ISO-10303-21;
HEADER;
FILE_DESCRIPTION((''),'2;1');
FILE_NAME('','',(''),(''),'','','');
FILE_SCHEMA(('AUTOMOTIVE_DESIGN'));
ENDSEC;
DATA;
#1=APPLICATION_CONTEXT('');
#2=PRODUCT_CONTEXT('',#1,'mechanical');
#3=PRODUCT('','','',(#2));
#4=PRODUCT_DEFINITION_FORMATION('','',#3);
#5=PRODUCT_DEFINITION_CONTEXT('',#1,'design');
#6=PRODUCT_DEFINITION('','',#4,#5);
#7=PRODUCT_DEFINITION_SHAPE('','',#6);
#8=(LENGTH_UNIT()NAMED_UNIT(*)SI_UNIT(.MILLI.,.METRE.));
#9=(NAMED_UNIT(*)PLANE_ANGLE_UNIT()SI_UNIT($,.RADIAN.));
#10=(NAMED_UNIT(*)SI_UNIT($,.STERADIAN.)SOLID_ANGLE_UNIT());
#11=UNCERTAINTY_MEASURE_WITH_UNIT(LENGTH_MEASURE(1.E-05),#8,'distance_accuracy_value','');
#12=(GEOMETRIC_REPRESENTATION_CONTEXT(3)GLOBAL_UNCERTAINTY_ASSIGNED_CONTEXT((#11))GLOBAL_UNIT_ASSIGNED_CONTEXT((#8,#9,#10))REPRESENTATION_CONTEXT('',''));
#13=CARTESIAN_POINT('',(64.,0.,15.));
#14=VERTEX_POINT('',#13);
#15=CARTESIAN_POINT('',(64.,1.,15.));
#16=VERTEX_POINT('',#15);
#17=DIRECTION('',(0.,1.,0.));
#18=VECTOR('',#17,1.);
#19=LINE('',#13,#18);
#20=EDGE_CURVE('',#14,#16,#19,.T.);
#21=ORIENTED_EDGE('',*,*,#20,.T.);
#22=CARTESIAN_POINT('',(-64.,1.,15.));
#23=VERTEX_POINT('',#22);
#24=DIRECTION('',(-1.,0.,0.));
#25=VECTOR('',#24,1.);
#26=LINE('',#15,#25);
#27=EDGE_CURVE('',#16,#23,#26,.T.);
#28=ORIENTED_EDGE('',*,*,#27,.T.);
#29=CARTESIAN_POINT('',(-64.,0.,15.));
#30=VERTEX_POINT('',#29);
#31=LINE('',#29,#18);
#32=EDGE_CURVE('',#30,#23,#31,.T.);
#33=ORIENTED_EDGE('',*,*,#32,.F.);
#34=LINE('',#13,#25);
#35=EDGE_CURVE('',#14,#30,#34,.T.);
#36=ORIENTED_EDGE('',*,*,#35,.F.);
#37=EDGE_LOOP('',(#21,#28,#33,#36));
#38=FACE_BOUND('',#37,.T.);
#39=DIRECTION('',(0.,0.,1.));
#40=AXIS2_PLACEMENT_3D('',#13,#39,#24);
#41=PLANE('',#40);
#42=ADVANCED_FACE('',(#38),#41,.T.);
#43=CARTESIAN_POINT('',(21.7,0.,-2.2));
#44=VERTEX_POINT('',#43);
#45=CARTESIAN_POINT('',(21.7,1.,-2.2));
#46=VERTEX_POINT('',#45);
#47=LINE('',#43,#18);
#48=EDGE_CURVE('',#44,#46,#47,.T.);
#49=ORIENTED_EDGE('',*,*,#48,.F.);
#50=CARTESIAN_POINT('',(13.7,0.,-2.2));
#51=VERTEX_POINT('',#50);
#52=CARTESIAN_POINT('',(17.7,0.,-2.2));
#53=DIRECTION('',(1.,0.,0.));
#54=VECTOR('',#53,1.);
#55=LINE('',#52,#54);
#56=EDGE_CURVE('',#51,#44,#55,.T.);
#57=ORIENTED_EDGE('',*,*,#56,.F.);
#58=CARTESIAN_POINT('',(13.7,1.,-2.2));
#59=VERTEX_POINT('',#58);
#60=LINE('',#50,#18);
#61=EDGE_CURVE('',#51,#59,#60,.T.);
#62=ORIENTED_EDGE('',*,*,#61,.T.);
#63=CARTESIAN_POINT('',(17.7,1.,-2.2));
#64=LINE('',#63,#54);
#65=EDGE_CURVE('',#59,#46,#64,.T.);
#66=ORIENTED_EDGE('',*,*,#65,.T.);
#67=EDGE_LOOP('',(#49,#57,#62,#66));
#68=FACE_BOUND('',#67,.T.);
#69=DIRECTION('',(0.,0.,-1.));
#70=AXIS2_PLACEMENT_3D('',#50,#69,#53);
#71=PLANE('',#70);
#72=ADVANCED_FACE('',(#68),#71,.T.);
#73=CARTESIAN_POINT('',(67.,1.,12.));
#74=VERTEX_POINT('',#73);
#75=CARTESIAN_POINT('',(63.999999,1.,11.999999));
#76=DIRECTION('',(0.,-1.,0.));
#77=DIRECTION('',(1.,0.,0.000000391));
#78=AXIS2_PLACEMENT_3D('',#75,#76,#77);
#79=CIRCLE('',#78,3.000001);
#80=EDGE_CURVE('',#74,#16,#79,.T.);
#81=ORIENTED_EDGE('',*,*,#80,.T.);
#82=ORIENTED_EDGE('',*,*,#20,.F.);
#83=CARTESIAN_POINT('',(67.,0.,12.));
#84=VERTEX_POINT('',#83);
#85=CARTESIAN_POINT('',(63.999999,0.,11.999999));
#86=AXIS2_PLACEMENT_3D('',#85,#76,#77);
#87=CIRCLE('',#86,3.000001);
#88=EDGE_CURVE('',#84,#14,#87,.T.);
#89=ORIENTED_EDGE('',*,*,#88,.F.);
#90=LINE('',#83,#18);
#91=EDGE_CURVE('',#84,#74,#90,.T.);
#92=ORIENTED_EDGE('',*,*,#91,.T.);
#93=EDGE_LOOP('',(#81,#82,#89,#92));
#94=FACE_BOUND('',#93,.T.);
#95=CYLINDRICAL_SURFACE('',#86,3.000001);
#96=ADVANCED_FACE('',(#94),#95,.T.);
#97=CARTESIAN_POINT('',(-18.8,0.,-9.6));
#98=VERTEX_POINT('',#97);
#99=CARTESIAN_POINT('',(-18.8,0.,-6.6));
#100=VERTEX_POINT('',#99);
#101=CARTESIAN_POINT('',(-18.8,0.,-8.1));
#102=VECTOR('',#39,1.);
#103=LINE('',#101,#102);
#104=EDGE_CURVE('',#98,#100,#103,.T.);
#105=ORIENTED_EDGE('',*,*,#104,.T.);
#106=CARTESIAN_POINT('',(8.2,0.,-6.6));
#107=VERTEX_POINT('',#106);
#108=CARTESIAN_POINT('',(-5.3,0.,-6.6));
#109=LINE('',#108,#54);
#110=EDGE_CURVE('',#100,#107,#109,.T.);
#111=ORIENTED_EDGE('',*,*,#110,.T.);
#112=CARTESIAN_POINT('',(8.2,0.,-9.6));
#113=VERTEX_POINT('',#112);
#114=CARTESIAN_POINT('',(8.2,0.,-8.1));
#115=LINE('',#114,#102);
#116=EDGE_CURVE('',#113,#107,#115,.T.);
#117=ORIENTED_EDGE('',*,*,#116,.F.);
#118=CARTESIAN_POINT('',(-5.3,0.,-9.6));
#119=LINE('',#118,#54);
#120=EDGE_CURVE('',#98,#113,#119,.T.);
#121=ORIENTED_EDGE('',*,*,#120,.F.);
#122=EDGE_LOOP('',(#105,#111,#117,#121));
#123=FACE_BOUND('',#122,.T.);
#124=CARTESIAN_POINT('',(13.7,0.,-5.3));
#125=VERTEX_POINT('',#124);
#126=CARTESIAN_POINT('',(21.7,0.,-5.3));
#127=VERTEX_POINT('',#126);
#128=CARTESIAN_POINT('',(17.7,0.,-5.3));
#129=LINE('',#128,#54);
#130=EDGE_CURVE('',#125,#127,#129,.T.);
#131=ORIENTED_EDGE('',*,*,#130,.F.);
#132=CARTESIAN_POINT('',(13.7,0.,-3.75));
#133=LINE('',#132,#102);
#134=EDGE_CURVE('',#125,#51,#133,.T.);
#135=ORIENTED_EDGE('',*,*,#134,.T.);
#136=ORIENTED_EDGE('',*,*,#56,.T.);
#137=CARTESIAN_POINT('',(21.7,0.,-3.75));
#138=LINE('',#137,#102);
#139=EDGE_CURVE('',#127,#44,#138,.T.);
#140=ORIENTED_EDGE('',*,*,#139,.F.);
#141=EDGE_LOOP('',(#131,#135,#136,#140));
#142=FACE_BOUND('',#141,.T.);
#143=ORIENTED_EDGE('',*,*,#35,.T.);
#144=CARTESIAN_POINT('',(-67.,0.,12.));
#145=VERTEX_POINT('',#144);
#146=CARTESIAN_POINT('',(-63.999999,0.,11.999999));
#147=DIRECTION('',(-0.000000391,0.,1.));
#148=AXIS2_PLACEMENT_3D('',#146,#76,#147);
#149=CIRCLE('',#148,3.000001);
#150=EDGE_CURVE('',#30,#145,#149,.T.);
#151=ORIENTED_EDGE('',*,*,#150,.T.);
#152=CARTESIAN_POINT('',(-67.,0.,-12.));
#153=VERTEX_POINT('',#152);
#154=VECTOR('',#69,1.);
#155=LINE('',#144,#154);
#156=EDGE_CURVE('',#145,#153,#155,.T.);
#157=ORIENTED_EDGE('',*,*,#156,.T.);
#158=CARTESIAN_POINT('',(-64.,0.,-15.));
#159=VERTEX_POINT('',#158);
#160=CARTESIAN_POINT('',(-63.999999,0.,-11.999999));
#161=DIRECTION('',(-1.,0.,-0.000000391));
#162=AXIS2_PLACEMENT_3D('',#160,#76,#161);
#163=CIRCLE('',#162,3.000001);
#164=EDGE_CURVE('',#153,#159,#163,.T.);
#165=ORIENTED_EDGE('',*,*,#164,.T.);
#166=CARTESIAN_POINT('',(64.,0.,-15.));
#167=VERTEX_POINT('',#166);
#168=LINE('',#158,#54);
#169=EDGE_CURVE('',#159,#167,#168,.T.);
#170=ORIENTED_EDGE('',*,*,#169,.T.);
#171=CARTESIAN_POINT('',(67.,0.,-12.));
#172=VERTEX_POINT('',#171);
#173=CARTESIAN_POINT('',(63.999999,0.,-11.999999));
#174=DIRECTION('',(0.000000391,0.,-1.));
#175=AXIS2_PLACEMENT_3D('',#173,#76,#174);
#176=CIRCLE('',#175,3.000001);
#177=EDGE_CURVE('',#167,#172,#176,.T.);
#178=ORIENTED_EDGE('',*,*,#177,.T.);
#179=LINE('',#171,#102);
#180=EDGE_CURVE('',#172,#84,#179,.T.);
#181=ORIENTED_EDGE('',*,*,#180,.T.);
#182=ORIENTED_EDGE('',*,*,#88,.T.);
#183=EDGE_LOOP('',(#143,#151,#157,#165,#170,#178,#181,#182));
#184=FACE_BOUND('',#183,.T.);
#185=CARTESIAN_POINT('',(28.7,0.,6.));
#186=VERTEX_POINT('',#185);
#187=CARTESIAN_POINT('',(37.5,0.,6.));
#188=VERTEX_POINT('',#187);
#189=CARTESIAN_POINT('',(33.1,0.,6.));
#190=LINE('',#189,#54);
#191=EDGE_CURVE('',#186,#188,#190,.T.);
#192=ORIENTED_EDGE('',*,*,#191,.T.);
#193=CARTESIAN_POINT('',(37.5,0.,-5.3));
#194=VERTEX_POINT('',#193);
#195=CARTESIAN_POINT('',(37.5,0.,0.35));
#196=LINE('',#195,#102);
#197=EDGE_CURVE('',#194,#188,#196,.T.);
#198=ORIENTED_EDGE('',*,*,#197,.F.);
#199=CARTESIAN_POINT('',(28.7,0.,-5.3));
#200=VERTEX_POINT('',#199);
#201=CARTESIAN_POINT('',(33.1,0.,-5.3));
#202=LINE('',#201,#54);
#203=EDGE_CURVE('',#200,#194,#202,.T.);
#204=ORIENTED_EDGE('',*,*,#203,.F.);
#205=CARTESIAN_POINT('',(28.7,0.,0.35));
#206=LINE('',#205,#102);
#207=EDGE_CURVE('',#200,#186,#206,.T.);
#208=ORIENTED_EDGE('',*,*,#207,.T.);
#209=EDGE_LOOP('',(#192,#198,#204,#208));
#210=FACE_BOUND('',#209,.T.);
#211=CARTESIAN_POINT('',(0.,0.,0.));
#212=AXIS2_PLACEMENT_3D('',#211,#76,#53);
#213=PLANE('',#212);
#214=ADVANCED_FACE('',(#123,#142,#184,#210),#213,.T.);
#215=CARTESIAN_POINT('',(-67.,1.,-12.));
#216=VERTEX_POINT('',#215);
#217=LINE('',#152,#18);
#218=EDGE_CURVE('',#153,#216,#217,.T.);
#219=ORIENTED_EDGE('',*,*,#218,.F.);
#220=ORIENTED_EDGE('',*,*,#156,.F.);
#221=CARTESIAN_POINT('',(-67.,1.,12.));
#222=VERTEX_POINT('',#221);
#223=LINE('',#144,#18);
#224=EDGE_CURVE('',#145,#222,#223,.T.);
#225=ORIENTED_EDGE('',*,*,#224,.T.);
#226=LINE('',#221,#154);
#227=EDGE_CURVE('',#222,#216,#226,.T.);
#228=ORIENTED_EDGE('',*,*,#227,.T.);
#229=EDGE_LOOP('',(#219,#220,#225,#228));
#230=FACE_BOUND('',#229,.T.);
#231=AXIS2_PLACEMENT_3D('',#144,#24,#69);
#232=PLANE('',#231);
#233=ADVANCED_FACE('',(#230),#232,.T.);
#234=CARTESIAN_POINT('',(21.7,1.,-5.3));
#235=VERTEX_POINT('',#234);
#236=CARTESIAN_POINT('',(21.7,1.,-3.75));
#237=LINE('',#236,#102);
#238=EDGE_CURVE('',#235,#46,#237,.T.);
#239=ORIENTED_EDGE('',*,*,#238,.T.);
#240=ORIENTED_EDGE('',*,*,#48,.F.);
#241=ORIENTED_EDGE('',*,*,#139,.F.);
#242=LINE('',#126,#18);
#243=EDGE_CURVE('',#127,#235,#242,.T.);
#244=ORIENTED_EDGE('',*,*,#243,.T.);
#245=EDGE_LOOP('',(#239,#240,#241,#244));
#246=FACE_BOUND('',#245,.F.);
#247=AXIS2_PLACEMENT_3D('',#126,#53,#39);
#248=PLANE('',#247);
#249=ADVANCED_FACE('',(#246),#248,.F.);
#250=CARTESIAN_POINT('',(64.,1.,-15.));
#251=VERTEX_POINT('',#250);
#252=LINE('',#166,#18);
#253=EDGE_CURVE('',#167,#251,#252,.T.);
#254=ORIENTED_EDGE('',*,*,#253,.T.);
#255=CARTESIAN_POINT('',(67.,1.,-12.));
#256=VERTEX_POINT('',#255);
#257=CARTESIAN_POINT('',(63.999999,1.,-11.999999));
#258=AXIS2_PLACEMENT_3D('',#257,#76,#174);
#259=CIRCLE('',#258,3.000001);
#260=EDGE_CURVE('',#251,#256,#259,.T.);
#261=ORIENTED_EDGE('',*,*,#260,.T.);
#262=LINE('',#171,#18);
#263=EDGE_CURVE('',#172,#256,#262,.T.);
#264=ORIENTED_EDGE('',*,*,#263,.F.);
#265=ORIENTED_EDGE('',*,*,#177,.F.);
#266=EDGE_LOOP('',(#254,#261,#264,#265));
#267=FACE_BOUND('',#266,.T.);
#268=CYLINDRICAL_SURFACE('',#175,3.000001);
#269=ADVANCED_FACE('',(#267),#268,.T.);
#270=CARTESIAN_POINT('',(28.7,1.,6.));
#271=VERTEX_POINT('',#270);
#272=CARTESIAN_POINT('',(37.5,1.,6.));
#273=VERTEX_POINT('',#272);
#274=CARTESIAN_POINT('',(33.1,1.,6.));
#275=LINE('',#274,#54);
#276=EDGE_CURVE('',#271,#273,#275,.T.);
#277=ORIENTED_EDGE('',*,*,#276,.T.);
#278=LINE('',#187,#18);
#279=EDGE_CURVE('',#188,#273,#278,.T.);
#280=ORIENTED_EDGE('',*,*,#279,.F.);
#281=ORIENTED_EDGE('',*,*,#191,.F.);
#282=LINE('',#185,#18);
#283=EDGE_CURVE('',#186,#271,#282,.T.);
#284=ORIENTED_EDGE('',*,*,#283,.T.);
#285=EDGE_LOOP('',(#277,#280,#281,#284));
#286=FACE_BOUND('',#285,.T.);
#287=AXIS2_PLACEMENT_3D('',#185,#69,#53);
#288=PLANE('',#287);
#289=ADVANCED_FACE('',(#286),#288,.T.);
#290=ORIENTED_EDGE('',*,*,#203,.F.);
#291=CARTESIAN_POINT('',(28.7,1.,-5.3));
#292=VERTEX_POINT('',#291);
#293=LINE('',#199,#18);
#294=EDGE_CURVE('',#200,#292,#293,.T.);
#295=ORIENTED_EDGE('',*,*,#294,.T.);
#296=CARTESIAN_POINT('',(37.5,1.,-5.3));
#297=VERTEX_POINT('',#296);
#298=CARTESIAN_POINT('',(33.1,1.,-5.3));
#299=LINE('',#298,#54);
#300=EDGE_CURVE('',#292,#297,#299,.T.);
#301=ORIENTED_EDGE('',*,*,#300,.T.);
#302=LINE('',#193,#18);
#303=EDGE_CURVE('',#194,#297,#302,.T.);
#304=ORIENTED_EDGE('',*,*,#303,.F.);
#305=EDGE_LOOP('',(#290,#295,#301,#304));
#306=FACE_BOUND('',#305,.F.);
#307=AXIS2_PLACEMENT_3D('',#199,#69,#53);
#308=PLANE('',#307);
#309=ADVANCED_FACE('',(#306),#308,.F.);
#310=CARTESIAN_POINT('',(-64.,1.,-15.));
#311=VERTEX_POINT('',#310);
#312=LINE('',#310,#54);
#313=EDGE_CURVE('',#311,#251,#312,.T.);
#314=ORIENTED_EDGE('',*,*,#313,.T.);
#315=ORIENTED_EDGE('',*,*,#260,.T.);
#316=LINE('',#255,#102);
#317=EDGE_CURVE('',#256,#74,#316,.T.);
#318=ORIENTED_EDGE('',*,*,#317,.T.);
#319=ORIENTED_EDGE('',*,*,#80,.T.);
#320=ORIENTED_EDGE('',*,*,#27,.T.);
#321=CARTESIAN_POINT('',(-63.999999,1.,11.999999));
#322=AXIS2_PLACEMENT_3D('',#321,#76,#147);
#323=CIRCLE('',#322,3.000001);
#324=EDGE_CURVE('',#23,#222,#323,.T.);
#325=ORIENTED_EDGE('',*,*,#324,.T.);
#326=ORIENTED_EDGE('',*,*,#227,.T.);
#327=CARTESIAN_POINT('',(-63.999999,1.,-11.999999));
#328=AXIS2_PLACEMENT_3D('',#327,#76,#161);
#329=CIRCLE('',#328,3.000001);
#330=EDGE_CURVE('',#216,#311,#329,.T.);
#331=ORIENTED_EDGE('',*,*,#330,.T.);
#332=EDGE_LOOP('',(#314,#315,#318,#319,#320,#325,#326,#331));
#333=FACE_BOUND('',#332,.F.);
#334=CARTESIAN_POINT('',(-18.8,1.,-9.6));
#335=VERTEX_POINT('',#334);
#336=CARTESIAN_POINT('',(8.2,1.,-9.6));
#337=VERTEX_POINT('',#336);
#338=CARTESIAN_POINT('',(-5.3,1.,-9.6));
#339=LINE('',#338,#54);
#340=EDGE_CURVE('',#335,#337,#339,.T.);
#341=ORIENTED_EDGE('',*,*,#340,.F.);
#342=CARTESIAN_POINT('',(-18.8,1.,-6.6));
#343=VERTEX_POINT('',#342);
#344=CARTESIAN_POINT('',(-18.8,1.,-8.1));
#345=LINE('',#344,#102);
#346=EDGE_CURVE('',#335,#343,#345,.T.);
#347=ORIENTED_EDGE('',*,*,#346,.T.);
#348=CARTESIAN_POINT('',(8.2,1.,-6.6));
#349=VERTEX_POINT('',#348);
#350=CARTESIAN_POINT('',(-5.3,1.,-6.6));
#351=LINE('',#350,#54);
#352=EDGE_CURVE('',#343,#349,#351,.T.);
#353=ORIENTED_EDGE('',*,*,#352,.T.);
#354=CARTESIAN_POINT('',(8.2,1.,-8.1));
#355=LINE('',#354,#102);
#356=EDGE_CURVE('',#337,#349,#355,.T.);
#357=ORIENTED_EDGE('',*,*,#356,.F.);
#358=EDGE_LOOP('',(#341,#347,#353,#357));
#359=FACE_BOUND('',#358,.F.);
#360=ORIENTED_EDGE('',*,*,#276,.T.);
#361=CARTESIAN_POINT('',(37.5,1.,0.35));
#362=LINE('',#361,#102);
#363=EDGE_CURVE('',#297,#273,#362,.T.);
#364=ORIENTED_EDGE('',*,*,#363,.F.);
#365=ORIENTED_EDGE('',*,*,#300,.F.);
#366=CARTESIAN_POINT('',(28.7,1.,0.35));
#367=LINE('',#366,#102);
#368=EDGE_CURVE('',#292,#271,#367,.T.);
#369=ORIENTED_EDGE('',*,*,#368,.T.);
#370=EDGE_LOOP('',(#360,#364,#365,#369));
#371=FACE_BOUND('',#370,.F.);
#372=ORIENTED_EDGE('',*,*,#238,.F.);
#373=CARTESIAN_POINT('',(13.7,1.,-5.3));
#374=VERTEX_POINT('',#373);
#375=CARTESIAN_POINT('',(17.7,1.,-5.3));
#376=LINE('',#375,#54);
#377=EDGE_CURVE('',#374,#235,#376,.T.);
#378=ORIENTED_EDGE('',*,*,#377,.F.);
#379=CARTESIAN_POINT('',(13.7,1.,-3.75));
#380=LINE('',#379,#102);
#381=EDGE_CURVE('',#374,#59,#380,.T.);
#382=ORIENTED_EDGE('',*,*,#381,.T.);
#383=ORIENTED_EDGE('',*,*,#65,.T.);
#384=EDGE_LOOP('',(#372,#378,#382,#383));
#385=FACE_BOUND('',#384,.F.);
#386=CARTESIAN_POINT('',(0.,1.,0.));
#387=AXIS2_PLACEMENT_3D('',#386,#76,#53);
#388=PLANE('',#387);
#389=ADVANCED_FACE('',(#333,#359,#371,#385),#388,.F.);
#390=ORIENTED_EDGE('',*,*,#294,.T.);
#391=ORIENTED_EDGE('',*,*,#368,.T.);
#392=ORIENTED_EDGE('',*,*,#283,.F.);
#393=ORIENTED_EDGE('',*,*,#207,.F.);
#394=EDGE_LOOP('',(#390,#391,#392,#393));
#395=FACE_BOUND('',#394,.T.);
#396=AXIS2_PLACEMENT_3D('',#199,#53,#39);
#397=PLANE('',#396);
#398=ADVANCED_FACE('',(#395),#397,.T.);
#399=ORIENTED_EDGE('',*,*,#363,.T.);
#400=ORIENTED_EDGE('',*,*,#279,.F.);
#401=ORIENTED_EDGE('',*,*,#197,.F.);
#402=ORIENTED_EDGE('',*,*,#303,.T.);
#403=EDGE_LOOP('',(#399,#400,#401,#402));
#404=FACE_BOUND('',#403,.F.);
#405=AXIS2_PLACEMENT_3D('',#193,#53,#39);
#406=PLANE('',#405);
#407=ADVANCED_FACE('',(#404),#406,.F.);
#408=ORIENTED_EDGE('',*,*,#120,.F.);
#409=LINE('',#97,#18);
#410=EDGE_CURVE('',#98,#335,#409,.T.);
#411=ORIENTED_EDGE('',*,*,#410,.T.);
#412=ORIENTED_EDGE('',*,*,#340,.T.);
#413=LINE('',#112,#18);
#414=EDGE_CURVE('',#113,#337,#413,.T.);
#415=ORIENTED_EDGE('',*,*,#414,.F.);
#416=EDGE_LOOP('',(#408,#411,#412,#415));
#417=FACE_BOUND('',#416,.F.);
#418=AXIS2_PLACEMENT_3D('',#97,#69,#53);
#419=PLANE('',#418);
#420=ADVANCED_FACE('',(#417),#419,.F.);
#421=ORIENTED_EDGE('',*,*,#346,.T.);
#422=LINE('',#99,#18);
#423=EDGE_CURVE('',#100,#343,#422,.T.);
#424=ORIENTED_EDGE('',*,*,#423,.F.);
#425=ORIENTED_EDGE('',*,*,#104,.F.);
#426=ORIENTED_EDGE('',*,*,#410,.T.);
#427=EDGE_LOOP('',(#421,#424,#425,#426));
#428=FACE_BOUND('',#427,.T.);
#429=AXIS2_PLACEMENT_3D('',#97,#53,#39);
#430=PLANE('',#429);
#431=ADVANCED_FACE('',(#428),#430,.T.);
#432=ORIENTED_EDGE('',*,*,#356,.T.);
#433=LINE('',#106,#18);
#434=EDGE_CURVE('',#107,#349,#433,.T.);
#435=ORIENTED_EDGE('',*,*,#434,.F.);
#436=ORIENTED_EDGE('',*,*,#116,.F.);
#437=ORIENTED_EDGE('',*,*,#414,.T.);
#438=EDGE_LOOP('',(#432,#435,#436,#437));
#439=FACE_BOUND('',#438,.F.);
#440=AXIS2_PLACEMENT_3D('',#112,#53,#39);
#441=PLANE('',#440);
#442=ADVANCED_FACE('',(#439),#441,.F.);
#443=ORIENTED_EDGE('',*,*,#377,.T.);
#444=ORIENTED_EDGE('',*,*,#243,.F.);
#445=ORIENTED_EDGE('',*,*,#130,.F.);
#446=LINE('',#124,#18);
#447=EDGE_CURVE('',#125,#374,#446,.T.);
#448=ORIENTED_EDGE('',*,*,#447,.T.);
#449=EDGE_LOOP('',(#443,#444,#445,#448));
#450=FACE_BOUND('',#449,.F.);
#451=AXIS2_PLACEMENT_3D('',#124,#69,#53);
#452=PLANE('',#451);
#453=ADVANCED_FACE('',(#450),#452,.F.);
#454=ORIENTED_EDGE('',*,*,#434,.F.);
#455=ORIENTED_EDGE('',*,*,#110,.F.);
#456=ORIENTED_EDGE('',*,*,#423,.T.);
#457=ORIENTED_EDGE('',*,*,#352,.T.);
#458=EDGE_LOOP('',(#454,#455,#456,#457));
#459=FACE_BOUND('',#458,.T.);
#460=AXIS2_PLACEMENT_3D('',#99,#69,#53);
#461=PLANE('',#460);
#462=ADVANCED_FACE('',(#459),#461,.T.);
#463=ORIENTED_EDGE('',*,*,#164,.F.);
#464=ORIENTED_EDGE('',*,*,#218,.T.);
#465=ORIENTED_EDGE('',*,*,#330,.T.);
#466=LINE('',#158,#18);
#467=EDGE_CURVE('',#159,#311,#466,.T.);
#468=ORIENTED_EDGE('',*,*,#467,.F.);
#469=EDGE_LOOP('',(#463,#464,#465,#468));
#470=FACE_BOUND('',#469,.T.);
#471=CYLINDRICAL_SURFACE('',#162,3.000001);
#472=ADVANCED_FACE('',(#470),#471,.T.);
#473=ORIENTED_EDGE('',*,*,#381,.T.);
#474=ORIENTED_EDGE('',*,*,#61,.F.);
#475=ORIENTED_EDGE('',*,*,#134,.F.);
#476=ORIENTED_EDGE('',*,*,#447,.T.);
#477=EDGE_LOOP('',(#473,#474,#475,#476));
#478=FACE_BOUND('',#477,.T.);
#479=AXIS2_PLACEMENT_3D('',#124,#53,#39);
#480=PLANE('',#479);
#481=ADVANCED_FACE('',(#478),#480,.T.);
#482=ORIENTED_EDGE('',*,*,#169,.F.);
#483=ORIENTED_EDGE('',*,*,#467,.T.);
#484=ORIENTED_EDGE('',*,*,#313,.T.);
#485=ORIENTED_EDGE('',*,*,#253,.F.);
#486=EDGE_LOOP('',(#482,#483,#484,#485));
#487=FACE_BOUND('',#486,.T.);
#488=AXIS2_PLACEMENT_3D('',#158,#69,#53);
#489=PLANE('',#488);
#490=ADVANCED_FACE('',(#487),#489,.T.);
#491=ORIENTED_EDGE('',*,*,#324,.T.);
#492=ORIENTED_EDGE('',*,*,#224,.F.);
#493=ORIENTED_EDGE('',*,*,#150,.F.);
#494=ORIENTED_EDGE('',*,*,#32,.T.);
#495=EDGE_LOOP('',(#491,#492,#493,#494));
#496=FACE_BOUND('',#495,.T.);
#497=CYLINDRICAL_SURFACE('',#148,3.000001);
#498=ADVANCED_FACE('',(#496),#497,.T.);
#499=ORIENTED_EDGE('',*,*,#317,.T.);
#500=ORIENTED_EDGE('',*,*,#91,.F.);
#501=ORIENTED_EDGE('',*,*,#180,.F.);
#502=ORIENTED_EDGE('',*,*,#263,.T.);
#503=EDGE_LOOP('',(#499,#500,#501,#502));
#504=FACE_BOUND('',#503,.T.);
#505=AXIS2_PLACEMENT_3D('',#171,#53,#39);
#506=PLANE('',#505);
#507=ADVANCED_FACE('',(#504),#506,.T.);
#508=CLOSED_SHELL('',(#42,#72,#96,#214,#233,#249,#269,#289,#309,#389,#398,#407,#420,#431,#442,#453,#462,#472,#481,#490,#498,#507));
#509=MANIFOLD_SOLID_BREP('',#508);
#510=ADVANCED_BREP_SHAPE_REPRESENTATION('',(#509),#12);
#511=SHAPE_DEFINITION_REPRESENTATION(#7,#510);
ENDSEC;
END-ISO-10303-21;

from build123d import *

# Parameters (mm, degrees)
F0_W     = 27
F0_H     = 3
F0_W_2   = 8
F0_H_2   = 3.1
F0_W_3   = 8.8
F0_H_3   = 11.3
F1_DEPTH = 1


with BuildPart() as f1:
    # F0 (on Front) → F1 (new body)
    with BuildSketch(Plane.XZ):
        with BuildLine():
            Line((64, 15), (-64, 15))
            ThreePointArc((-64, 15), (-66.12132, 14.12132), (-67, 12))
            Line((-67, 12), (-67, -12))
            ThreePointArc((-67, -12), (-66.12132, -14.12132), (-64, -15))
            Line((-64, -15), (64, -15))
            ThreePointArc((64, -15), (66.12132, -14.12132), (67, -12))
            Line((67, -12), (67, 12))
            ThreePointArc((67, 12), (66.12132, 14.12132), (64, 15))
        make_face()
        with Locations((-5.3, -8.1)):
            Rectangle(F0_W, F0_H, mode=Mode.SUBTRACT)
        with Locations((17.7, -3.75)):
            Rectangle(F0_W_2, F0_H_2, mode=Mode.SUBTRACT)
        with Locations((33.1, 0.35)):
            Rectangle(F0_W_3, F0_H_3, mode=Mode.SUBTRACT)
    extrude(amount=-F1_DEPTH)


solid = f1.part
